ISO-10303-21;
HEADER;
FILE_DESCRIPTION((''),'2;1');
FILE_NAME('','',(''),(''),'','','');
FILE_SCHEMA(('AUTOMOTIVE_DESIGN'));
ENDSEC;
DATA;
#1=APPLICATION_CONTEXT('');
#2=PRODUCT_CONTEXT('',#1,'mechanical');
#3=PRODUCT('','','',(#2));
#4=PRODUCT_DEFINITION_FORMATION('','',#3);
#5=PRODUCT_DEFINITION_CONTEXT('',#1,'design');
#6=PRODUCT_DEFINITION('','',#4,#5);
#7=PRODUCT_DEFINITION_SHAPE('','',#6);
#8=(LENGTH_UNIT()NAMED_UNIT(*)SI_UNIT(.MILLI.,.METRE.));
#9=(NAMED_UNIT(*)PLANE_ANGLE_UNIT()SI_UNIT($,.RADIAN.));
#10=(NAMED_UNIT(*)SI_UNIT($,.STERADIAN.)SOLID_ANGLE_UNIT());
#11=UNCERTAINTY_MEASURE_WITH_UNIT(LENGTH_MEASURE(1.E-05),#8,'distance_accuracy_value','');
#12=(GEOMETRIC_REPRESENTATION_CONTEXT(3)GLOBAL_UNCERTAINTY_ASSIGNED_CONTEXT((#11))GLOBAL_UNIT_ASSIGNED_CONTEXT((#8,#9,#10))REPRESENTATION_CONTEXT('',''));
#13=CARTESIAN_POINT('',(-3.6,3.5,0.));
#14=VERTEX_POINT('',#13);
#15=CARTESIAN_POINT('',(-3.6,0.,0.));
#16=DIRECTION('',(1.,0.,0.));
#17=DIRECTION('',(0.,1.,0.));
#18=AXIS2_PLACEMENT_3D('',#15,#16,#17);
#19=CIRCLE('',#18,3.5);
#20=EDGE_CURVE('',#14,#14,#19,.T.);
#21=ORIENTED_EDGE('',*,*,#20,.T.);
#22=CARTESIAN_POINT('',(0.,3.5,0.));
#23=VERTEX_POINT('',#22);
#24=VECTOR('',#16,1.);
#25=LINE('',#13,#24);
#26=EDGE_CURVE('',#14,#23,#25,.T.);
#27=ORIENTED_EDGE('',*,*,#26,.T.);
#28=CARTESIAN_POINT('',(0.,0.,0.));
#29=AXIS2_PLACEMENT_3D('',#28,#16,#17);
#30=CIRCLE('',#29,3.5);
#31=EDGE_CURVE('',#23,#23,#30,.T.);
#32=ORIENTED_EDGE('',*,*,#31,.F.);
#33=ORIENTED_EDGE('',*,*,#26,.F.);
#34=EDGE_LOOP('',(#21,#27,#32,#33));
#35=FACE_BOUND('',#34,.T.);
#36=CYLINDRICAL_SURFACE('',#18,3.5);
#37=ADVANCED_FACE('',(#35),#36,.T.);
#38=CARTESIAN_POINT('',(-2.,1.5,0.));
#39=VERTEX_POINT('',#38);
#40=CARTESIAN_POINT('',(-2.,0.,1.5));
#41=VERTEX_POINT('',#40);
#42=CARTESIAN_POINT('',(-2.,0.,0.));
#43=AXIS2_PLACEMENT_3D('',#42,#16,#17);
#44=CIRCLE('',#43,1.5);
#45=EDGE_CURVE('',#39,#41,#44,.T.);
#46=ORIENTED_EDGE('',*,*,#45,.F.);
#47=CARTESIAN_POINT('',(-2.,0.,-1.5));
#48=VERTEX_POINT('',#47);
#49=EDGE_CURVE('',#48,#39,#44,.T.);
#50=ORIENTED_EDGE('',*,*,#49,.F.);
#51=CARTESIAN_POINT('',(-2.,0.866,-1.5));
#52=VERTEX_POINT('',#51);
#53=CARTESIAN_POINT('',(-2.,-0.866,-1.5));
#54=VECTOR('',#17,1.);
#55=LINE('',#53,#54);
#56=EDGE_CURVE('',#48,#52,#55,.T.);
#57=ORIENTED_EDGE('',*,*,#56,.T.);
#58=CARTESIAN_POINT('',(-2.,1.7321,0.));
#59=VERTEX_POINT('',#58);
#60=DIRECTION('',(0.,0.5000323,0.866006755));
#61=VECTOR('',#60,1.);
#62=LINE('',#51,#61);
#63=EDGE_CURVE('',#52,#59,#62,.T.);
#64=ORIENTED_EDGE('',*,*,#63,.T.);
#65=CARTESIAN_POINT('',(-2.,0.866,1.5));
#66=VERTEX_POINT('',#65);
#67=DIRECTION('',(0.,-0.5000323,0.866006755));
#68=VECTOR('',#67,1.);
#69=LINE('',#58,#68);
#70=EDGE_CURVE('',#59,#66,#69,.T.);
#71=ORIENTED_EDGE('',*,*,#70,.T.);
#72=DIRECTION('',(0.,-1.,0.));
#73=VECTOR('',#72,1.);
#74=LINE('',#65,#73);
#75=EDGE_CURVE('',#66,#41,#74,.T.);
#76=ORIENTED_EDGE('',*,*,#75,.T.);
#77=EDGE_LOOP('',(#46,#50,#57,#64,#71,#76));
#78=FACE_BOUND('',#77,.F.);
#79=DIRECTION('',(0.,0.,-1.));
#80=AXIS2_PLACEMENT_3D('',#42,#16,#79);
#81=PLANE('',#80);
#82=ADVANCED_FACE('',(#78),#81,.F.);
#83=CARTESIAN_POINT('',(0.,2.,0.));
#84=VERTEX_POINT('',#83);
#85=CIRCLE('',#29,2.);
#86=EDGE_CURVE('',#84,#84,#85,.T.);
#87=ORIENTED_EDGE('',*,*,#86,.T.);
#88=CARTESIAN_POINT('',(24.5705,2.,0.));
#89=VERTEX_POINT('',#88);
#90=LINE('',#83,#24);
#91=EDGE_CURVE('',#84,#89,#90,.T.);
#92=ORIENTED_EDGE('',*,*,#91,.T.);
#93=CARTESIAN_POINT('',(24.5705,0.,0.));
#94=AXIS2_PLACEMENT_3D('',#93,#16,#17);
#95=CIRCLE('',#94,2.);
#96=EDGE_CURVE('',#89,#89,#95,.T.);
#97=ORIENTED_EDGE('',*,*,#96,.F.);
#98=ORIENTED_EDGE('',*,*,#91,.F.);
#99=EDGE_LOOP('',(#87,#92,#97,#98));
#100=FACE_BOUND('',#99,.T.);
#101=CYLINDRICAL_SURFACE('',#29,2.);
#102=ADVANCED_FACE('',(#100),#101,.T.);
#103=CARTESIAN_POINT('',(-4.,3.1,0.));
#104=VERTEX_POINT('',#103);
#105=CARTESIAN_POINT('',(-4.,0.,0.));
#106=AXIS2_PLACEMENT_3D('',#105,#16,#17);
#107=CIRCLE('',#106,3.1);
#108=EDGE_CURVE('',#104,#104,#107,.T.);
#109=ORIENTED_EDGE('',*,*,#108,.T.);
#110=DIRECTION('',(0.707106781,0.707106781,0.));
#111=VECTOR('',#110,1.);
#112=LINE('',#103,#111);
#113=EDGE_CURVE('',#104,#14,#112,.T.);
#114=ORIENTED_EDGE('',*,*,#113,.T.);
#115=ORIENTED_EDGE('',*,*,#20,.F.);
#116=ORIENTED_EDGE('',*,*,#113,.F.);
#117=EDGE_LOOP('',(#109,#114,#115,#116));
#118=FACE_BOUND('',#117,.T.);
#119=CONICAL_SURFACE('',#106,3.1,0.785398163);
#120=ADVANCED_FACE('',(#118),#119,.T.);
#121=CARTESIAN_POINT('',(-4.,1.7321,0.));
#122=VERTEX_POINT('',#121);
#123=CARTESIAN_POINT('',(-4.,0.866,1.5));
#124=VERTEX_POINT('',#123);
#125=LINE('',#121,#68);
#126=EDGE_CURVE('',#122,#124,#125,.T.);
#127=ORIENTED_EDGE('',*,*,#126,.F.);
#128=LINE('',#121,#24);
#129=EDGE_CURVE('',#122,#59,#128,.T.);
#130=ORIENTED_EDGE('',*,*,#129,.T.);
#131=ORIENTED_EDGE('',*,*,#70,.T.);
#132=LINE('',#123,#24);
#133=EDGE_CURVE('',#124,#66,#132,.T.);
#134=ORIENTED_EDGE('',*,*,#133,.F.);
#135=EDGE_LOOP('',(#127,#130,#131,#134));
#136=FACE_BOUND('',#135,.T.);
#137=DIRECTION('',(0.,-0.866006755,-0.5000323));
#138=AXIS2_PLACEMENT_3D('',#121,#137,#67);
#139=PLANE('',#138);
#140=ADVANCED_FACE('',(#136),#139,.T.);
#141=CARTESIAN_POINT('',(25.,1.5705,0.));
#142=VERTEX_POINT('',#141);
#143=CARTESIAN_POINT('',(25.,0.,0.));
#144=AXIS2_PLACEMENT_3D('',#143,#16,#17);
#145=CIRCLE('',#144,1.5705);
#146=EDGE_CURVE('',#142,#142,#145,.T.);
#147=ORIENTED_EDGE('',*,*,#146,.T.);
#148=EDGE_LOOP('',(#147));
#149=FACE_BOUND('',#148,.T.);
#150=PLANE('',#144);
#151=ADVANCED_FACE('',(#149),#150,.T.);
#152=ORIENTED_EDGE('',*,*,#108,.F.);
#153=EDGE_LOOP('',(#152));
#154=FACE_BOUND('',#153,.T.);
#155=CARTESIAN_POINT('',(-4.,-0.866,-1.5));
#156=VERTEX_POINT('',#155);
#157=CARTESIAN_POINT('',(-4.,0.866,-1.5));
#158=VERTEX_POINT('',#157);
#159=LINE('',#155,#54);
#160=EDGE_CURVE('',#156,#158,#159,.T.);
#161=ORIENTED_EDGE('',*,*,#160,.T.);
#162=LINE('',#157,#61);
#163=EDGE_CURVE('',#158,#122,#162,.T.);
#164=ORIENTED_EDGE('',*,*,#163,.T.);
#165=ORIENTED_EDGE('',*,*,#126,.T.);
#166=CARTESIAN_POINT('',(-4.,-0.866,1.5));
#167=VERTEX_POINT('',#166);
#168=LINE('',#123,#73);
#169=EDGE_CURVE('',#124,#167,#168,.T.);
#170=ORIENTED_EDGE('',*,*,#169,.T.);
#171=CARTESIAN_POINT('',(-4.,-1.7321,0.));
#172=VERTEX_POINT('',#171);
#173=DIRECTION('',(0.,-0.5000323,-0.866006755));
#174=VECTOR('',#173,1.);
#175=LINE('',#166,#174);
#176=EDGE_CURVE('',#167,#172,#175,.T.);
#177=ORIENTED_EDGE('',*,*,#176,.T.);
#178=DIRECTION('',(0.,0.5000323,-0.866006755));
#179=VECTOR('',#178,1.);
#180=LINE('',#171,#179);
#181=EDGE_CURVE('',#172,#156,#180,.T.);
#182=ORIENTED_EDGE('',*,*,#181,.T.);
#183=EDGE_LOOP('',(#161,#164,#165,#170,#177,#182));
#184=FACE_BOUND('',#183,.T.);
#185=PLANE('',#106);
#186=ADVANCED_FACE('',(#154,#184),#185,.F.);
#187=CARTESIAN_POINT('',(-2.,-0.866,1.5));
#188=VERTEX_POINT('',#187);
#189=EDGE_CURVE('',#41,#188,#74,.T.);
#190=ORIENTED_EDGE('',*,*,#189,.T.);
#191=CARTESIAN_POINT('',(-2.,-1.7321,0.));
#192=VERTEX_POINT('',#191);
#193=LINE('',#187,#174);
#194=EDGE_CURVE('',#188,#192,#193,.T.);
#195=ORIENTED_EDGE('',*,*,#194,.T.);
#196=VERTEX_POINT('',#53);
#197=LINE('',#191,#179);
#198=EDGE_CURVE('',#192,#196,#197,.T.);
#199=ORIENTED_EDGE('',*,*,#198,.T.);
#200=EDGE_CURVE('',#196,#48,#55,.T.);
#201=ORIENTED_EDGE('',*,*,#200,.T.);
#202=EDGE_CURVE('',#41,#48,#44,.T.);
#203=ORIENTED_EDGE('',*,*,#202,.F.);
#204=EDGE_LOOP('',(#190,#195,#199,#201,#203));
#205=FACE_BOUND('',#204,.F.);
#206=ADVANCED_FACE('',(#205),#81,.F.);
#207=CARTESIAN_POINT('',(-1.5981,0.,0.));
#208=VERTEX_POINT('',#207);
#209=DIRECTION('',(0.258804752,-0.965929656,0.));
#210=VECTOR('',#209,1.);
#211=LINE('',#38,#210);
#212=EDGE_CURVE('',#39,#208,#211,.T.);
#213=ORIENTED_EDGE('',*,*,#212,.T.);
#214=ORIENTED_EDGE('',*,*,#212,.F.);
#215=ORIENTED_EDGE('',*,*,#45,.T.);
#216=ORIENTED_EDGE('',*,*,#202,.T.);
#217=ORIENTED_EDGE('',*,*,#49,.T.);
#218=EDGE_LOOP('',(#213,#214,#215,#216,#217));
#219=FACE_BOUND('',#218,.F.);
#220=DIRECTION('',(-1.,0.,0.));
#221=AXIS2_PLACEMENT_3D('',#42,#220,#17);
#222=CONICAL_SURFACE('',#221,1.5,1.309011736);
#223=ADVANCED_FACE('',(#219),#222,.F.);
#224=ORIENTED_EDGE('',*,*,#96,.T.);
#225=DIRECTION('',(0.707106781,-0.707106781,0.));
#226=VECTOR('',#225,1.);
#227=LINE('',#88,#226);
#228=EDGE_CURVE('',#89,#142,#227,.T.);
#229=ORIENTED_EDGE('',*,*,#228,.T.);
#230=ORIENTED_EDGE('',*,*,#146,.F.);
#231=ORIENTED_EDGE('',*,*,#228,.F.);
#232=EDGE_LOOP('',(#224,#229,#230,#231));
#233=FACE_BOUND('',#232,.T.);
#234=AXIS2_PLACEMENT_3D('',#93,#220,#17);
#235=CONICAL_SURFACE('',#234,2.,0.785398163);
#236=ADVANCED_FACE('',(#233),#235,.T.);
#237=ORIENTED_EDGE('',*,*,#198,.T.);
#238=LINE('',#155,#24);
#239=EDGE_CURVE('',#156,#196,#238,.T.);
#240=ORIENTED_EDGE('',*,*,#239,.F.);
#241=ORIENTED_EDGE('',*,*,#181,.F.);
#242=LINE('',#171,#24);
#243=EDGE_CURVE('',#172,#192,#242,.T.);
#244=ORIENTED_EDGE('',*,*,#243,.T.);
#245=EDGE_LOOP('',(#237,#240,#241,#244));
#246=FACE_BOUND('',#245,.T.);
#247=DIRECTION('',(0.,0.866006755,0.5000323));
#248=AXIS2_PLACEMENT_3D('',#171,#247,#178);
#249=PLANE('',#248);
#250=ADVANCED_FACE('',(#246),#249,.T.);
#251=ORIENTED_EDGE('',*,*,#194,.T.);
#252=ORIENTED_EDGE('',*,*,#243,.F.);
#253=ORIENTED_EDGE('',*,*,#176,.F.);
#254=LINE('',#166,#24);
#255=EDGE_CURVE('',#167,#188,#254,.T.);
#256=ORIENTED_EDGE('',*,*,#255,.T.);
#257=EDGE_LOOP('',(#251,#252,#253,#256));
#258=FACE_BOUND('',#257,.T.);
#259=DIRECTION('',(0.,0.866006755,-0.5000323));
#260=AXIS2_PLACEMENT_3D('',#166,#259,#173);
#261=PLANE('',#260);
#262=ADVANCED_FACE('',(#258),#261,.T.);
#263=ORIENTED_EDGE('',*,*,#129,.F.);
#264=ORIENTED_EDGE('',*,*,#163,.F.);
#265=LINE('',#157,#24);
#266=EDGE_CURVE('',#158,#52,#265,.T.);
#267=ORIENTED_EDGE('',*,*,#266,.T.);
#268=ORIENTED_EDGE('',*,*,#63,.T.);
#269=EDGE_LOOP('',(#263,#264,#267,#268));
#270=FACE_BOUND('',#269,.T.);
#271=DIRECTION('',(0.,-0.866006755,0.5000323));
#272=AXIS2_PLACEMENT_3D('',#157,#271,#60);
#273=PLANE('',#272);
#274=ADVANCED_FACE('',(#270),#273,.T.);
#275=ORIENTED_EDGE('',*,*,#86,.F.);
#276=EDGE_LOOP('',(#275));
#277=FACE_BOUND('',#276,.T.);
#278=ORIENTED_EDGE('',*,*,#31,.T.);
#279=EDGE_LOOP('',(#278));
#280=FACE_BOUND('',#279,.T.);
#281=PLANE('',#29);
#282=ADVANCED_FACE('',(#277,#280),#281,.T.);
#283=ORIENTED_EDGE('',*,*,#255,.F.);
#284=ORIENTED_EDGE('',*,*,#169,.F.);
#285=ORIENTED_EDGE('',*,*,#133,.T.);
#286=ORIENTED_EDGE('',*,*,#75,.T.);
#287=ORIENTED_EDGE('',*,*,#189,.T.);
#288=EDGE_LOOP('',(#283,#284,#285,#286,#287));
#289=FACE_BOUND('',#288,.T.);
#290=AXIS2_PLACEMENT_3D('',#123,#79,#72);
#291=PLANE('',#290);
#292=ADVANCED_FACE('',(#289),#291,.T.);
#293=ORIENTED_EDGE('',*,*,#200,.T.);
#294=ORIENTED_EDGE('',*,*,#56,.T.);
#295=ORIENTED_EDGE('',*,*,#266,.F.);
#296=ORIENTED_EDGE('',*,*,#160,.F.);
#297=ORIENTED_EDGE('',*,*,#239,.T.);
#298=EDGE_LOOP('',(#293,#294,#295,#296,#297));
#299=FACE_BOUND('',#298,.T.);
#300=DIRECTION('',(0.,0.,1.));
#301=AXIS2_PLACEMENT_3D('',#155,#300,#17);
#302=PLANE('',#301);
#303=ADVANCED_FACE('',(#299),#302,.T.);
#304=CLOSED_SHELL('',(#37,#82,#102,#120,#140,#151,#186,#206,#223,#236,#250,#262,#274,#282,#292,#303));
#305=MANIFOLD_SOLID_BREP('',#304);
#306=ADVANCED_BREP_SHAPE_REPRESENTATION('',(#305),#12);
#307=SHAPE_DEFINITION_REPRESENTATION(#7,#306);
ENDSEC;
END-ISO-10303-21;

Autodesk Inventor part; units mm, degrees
sketch "Sketch_1" plane through (0, 0, 0) normal (0, 0, 1) x (1, 0, 0)
  line L0 (25, 0) -> (-4, 0)
  line L1 (-4, 0) -> (-4, 3.1)
  line L2 (-4, 3.1) -> (-3.6, 3.5)
  line L3 (-3.6, 3.5) -> (0, 3.5)
  line L4 (0, 3.5) -> (0, 2)
  line L5 (0, 2) -> (24.5705, 2)
  line L6 (24.5705, 2) -> (25, 1.5705)
  line L7 (25, 1.5705) -> (25, 0)
  line L8 (25, 0) -> (-4, 0)
revolve "Revolution1" add sketch "Sketch_1" angle 360 about axis through (25, 0, 0) along (1, 0, 0)
thread "Thread1" size "M4x0.7" class "6g" standard "ISO Metric profile" length 24 offset 1
sketch "Sketch_4_ALT_Drilling_1" plane through (0, 0, 0) normal (0, 0, 1) x (1, 0, 0)
  line L0 (-1.5981, 0) -> (-4, 0)
  line L1 (-4, 0) -> (-4, 1.5)
  line L2 (-4, 1.5) -> (-2, 1.5)
  line L3 (-2, 1.5) -> (-1.5981, 0)
  line L4 (-1.5981, 0) -> (-4, 0)
revolve "Revolution2" cut sketch "Sketch_4_ALT_Drilling_1" angle 360 about axis through (-1.5981, 0, 0) along (1, 0, 0)
sketch "Sketch_3" plane through (-4, 0, 0) normal (1, 0, 0) x (0, 0, -1)
  line L0 (-1.5, -0.866) -> (0, -1.7321)
  line L1 (0, -1.7321) -> (1.5, -0.866)
  line L2 (1.5, -0.866) -> (1.5, 0.866)
  line L3 (1.5, 0.866) -> (0, 1.7321)
  line L4 (0, 1.7321) -> (-1.5, 0.866)
  line L5 (-1.5, 0.866) -> (-1.5, -0.866)
extrude "Extrusion1" cut sketch "Sketch_3" along normal blind 2
ref_plane "bolt_to_nut_XY" through (25, 0, 0) normal (1, 0, 0) x (0, 0, -1)
ref_plane "bolt_to_nut_YZ" through (25, 0, 0) normal (0, 0, -1) x (0, 1, 0)
ref_plane "bolt_to_nut_ZX" through (25, 0, 0) normal (0, 1, 0) x (1, 0, 0)
ref_plane "screw1_XY" through (0, 0, 0) normal (1, 0, 0) x (0, 0, -1)
ref_plane "screw1_YZ" through (0, 0, 0) normal (0, 0, -1) x (0, 1, 0)
ref_plane "screw1_ZX" through (0, 0, 0) normal (0, 1, 0) x (1, 0, 0)
properties part number "CB4-25" material "鋼、炭素鋼"
